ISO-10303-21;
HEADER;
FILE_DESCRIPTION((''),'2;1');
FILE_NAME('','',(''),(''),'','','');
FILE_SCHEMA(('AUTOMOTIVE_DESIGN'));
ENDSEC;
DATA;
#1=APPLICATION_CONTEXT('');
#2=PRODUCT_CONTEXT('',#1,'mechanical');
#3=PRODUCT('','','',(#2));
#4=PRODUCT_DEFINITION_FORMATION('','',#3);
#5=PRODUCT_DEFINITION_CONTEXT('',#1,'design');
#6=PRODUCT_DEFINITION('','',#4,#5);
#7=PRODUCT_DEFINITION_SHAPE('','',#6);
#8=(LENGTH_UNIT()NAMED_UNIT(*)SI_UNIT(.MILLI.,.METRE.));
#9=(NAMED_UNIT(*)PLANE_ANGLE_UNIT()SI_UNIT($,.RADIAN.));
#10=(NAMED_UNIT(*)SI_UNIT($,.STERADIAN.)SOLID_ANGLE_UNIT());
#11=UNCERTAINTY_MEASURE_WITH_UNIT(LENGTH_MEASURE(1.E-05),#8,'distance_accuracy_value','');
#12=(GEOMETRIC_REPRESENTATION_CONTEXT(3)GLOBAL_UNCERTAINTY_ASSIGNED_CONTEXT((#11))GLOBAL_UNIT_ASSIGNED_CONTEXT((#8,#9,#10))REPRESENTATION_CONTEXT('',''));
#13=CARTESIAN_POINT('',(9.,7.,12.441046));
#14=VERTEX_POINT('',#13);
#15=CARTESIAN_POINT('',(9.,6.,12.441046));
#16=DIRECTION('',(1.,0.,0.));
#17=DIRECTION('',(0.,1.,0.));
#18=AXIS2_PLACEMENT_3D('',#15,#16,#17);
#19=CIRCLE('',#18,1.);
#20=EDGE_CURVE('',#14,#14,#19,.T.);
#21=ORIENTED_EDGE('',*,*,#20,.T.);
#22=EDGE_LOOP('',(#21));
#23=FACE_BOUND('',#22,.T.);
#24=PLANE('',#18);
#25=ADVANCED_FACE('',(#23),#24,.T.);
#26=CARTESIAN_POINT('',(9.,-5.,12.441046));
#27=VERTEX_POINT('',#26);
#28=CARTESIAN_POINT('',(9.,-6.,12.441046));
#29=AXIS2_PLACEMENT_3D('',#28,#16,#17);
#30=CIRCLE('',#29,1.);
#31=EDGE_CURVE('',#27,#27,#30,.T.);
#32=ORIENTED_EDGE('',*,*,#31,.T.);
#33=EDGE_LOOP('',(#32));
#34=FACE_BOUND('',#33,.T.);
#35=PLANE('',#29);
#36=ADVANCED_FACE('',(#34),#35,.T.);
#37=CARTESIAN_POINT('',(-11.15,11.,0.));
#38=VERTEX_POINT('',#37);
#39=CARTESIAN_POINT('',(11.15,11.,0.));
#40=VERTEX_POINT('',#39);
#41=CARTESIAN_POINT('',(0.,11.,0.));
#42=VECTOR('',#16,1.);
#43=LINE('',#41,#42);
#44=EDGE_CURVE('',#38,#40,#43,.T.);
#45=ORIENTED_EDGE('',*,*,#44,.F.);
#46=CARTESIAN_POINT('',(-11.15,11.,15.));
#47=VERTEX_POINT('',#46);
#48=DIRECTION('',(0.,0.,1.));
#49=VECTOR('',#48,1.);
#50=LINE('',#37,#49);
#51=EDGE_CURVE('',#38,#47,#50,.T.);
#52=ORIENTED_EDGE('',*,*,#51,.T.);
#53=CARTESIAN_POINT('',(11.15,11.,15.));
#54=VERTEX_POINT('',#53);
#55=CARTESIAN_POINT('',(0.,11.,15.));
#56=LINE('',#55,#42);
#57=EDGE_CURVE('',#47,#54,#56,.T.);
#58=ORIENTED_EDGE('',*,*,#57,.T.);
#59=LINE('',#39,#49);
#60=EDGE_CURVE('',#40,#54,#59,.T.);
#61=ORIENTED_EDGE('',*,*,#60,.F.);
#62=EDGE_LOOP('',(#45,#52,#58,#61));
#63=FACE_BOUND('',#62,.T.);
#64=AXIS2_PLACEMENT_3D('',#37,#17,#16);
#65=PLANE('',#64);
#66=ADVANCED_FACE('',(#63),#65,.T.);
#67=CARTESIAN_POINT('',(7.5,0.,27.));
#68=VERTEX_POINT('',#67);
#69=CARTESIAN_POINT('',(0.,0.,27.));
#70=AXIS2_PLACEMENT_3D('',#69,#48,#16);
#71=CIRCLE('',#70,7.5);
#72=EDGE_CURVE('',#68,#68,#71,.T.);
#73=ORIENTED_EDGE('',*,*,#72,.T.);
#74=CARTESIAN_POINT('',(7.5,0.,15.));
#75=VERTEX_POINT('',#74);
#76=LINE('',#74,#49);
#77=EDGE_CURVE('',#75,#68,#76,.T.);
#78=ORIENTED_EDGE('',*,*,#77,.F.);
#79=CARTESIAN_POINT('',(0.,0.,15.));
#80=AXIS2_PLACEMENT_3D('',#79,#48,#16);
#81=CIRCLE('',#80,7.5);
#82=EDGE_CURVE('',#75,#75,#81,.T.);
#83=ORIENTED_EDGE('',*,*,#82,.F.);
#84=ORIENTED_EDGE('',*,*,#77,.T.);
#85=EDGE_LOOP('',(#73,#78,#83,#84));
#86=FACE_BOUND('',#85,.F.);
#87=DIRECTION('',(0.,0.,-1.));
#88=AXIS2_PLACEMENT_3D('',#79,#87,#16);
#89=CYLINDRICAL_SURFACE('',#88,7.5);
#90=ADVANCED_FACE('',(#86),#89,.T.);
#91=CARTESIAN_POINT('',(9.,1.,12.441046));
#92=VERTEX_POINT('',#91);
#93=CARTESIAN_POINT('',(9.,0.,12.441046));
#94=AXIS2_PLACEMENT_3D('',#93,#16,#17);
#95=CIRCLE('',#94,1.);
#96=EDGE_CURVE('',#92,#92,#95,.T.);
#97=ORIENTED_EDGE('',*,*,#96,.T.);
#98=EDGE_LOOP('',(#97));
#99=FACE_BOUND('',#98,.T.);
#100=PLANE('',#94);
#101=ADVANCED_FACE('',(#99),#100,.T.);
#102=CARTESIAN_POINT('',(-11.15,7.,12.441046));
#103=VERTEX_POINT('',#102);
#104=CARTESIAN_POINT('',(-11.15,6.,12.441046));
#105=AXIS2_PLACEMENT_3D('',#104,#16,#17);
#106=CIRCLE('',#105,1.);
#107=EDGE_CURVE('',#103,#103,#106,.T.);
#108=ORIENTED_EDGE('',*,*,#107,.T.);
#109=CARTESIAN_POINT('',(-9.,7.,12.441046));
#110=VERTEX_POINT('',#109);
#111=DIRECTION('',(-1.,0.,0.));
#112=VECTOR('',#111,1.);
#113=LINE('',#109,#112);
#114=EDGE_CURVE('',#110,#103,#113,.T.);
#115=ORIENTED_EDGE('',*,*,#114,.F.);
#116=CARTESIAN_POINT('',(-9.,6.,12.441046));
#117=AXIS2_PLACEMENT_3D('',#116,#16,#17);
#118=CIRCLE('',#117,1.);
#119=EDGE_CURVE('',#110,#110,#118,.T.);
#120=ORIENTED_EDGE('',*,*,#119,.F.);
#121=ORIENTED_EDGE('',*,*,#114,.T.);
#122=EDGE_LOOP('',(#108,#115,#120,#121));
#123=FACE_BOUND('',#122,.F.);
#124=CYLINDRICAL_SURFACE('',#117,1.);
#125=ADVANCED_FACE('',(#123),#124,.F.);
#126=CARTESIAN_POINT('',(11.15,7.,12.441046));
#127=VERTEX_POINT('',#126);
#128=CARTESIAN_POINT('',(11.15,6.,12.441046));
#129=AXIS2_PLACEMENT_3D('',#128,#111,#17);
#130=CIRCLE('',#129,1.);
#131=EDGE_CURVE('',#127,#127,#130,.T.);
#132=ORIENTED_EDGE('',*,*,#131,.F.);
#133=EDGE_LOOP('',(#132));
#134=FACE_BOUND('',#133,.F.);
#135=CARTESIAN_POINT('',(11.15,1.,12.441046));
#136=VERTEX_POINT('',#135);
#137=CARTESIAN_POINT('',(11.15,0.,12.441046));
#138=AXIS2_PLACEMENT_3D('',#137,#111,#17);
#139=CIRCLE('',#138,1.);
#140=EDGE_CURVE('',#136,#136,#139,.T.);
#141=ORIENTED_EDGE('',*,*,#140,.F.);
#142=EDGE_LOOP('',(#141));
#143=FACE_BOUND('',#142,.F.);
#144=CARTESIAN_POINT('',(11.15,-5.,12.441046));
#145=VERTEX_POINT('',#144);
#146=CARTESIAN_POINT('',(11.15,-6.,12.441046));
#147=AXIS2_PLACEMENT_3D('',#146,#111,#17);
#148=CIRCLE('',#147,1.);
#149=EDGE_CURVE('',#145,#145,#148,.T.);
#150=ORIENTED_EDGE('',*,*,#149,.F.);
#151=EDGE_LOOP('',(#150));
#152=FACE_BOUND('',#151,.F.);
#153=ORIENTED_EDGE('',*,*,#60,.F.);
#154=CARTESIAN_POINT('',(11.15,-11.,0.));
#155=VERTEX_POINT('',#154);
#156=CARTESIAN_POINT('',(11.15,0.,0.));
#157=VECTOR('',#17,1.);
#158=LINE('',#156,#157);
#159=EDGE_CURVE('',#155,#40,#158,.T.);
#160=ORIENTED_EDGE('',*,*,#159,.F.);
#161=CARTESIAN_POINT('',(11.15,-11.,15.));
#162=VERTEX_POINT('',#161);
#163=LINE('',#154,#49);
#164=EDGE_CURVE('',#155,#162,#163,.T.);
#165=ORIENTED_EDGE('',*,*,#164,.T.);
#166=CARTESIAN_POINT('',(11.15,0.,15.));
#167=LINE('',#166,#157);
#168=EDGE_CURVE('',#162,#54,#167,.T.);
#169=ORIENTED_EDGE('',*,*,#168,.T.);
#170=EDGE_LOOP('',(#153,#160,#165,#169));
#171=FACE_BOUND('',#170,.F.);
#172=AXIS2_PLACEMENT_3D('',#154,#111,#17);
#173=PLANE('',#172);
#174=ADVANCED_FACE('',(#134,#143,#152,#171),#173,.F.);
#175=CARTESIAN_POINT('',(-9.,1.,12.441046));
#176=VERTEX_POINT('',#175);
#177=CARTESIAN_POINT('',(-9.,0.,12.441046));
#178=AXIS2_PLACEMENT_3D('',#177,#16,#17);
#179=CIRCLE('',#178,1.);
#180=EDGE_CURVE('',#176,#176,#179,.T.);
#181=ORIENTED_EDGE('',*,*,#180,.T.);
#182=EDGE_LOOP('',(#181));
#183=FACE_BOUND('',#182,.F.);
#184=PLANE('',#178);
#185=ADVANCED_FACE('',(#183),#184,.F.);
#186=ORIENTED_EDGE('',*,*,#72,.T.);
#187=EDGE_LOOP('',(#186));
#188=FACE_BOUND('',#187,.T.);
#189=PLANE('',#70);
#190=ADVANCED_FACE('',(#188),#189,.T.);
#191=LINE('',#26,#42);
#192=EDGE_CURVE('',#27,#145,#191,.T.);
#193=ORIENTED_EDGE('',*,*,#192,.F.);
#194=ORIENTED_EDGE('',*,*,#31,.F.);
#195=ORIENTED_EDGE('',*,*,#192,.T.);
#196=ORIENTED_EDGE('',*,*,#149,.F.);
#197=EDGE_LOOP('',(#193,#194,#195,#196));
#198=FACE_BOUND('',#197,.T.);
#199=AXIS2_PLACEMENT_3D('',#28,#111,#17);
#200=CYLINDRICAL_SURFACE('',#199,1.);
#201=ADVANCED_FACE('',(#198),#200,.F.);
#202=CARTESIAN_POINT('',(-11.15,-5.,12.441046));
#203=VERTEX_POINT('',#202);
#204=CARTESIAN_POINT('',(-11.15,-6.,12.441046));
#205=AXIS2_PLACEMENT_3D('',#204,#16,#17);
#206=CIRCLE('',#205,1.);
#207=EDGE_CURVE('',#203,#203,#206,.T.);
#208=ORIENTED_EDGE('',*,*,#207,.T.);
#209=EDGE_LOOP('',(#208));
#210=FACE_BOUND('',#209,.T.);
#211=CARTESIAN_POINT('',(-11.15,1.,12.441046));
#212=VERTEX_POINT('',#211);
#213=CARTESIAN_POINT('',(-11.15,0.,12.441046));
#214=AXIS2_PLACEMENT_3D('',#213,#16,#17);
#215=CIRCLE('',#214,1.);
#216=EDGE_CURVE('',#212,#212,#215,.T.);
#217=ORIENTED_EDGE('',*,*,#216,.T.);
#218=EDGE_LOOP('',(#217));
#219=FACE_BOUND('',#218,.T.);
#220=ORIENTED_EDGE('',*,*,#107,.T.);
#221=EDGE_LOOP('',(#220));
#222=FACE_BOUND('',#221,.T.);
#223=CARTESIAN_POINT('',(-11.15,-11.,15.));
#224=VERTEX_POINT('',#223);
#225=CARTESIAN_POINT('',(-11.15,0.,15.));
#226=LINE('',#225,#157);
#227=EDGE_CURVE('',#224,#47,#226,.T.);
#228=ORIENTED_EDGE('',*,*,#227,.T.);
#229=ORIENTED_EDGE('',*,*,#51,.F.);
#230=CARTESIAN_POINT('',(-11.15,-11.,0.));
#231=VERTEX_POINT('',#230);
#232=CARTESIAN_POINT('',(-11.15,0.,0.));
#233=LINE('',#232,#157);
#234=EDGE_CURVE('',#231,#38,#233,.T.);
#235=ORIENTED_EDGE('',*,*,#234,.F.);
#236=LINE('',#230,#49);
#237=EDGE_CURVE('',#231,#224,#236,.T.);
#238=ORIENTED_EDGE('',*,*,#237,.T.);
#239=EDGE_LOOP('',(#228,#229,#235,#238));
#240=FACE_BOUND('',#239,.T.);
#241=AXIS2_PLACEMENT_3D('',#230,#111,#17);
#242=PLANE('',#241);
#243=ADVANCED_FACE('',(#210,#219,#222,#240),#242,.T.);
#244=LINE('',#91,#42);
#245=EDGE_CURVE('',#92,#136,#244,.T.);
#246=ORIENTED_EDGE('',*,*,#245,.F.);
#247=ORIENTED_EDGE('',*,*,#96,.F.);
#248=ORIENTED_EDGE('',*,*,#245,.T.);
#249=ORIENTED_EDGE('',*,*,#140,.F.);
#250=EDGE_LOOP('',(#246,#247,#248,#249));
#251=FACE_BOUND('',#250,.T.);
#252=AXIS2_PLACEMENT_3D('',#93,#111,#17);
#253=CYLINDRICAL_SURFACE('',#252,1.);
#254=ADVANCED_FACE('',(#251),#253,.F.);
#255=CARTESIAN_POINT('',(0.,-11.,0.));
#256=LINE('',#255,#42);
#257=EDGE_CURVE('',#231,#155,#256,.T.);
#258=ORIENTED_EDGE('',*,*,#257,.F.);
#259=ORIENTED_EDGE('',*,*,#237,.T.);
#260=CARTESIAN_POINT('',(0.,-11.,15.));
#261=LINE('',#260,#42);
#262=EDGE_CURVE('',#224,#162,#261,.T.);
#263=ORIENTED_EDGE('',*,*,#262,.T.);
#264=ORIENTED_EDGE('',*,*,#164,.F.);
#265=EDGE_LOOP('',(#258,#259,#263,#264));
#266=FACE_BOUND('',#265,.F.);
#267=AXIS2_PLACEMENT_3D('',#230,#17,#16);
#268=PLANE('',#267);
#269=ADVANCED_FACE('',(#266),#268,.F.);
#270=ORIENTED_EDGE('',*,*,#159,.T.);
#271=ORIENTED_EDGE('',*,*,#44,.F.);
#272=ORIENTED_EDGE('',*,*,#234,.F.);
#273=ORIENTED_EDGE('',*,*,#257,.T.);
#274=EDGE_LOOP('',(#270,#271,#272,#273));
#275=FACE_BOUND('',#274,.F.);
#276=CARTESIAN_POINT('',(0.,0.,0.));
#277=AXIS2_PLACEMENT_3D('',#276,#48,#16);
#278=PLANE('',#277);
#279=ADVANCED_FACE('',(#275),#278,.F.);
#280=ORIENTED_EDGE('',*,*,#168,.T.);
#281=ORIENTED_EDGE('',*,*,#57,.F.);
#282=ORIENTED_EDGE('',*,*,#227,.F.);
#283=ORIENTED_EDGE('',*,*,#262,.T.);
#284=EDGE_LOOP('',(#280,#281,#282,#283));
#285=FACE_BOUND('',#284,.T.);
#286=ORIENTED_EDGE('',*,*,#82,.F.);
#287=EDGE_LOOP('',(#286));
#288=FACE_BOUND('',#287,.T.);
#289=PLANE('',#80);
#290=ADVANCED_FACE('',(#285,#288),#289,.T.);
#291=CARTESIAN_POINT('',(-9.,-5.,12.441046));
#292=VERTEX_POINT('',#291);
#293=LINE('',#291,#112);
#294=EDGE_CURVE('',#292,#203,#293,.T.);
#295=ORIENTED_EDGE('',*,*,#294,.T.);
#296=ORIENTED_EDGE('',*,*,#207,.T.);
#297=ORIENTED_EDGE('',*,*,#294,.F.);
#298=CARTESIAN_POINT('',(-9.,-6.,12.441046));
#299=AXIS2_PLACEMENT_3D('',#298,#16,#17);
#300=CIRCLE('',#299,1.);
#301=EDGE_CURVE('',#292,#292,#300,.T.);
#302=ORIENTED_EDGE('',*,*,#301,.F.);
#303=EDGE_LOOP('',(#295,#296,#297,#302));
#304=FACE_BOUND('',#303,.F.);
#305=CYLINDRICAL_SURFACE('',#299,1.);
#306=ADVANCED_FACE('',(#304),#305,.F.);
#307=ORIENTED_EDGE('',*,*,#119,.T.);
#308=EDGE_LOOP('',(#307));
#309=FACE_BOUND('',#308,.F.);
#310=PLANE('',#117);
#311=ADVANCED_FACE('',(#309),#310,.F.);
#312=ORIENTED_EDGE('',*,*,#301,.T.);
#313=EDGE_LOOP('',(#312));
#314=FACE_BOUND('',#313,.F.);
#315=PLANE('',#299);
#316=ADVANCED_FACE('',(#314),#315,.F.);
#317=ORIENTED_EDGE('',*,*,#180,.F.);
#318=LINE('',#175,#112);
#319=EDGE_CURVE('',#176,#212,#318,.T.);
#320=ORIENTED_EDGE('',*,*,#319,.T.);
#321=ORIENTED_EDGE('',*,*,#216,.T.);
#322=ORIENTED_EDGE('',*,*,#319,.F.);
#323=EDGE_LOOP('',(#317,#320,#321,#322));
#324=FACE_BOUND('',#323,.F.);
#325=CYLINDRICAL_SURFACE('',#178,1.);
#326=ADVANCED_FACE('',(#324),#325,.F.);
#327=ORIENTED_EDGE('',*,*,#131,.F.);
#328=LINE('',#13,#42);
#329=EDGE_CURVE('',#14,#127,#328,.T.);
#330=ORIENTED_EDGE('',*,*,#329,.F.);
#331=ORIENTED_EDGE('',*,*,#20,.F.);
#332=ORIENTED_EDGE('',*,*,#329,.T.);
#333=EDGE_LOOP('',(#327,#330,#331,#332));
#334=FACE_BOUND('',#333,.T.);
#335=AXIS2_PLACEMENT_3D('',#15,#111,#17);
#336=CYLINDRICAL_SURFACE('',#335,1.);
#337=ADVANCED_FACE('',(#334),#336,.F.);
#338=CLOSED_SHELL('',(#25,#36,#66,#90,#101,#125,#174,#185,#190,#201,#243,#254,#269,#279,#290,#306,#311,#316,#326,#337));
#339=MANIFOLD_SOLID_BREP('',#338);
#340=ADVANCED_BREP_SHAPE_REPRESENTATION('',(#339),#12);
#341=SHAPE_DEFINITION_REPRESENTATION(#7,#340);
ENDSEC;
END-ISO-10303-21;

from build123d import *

# Parameters (mm, degrees)
F0_W     = 22.3
F0_H     = 22
F1_DEPTH = 15
F3_START = 15
F2_R     = 7.5
F3_DEPTH = 12
F5_START = -9
F4_R     = 1
F5_DEPTH = 3
F6_START = 9
F6_DEPTH = 4


with BuildPart() as f1:
    # F0 (on Top) → F1 (new body)
    with BuildSketch(Plane.XY):
        Rectangle(F0_W, F0_H)
    extrude(amount=F1_DEPTH)

    # F2 (on Top) → F3 (join)
    with BuildSketch(Plane.XY.offset(F3_START)):
        Circle(F2_R)
    extrude(amount=F3_DEPTH)

    # F4 (on Right) → F5 (cut)
    with BuildSketch(Plane.YZ.offset(F5_START)):
        with Locations((6, 12.4410456046)):
            Circle(F4_R)
        with Locations((0, 12.4410456046)):
            Circle(F4_R)
        with Locations((-6, 12.4410456046)):
            Circle(F4_R)
    extrude(amount=-F5_DEPTH, mode=Mode.SUBTRACT)

    # F4 (on Right) → F6 (cut)
    with BuildSketch(Plane.YZ.offset(F6_START)):
        with Locations((6, 12.4410456046)):
            Circle(F4_R)
        with Locations((0, 12.4410456046)):
            Circle(F4_R)
        with Locations((-6, 12.4410456046)):
            Circle(F4_R)
    extrude(amount=F6_DEPTH, mode=Mode.SUBTRACT)


solid = f1.part
